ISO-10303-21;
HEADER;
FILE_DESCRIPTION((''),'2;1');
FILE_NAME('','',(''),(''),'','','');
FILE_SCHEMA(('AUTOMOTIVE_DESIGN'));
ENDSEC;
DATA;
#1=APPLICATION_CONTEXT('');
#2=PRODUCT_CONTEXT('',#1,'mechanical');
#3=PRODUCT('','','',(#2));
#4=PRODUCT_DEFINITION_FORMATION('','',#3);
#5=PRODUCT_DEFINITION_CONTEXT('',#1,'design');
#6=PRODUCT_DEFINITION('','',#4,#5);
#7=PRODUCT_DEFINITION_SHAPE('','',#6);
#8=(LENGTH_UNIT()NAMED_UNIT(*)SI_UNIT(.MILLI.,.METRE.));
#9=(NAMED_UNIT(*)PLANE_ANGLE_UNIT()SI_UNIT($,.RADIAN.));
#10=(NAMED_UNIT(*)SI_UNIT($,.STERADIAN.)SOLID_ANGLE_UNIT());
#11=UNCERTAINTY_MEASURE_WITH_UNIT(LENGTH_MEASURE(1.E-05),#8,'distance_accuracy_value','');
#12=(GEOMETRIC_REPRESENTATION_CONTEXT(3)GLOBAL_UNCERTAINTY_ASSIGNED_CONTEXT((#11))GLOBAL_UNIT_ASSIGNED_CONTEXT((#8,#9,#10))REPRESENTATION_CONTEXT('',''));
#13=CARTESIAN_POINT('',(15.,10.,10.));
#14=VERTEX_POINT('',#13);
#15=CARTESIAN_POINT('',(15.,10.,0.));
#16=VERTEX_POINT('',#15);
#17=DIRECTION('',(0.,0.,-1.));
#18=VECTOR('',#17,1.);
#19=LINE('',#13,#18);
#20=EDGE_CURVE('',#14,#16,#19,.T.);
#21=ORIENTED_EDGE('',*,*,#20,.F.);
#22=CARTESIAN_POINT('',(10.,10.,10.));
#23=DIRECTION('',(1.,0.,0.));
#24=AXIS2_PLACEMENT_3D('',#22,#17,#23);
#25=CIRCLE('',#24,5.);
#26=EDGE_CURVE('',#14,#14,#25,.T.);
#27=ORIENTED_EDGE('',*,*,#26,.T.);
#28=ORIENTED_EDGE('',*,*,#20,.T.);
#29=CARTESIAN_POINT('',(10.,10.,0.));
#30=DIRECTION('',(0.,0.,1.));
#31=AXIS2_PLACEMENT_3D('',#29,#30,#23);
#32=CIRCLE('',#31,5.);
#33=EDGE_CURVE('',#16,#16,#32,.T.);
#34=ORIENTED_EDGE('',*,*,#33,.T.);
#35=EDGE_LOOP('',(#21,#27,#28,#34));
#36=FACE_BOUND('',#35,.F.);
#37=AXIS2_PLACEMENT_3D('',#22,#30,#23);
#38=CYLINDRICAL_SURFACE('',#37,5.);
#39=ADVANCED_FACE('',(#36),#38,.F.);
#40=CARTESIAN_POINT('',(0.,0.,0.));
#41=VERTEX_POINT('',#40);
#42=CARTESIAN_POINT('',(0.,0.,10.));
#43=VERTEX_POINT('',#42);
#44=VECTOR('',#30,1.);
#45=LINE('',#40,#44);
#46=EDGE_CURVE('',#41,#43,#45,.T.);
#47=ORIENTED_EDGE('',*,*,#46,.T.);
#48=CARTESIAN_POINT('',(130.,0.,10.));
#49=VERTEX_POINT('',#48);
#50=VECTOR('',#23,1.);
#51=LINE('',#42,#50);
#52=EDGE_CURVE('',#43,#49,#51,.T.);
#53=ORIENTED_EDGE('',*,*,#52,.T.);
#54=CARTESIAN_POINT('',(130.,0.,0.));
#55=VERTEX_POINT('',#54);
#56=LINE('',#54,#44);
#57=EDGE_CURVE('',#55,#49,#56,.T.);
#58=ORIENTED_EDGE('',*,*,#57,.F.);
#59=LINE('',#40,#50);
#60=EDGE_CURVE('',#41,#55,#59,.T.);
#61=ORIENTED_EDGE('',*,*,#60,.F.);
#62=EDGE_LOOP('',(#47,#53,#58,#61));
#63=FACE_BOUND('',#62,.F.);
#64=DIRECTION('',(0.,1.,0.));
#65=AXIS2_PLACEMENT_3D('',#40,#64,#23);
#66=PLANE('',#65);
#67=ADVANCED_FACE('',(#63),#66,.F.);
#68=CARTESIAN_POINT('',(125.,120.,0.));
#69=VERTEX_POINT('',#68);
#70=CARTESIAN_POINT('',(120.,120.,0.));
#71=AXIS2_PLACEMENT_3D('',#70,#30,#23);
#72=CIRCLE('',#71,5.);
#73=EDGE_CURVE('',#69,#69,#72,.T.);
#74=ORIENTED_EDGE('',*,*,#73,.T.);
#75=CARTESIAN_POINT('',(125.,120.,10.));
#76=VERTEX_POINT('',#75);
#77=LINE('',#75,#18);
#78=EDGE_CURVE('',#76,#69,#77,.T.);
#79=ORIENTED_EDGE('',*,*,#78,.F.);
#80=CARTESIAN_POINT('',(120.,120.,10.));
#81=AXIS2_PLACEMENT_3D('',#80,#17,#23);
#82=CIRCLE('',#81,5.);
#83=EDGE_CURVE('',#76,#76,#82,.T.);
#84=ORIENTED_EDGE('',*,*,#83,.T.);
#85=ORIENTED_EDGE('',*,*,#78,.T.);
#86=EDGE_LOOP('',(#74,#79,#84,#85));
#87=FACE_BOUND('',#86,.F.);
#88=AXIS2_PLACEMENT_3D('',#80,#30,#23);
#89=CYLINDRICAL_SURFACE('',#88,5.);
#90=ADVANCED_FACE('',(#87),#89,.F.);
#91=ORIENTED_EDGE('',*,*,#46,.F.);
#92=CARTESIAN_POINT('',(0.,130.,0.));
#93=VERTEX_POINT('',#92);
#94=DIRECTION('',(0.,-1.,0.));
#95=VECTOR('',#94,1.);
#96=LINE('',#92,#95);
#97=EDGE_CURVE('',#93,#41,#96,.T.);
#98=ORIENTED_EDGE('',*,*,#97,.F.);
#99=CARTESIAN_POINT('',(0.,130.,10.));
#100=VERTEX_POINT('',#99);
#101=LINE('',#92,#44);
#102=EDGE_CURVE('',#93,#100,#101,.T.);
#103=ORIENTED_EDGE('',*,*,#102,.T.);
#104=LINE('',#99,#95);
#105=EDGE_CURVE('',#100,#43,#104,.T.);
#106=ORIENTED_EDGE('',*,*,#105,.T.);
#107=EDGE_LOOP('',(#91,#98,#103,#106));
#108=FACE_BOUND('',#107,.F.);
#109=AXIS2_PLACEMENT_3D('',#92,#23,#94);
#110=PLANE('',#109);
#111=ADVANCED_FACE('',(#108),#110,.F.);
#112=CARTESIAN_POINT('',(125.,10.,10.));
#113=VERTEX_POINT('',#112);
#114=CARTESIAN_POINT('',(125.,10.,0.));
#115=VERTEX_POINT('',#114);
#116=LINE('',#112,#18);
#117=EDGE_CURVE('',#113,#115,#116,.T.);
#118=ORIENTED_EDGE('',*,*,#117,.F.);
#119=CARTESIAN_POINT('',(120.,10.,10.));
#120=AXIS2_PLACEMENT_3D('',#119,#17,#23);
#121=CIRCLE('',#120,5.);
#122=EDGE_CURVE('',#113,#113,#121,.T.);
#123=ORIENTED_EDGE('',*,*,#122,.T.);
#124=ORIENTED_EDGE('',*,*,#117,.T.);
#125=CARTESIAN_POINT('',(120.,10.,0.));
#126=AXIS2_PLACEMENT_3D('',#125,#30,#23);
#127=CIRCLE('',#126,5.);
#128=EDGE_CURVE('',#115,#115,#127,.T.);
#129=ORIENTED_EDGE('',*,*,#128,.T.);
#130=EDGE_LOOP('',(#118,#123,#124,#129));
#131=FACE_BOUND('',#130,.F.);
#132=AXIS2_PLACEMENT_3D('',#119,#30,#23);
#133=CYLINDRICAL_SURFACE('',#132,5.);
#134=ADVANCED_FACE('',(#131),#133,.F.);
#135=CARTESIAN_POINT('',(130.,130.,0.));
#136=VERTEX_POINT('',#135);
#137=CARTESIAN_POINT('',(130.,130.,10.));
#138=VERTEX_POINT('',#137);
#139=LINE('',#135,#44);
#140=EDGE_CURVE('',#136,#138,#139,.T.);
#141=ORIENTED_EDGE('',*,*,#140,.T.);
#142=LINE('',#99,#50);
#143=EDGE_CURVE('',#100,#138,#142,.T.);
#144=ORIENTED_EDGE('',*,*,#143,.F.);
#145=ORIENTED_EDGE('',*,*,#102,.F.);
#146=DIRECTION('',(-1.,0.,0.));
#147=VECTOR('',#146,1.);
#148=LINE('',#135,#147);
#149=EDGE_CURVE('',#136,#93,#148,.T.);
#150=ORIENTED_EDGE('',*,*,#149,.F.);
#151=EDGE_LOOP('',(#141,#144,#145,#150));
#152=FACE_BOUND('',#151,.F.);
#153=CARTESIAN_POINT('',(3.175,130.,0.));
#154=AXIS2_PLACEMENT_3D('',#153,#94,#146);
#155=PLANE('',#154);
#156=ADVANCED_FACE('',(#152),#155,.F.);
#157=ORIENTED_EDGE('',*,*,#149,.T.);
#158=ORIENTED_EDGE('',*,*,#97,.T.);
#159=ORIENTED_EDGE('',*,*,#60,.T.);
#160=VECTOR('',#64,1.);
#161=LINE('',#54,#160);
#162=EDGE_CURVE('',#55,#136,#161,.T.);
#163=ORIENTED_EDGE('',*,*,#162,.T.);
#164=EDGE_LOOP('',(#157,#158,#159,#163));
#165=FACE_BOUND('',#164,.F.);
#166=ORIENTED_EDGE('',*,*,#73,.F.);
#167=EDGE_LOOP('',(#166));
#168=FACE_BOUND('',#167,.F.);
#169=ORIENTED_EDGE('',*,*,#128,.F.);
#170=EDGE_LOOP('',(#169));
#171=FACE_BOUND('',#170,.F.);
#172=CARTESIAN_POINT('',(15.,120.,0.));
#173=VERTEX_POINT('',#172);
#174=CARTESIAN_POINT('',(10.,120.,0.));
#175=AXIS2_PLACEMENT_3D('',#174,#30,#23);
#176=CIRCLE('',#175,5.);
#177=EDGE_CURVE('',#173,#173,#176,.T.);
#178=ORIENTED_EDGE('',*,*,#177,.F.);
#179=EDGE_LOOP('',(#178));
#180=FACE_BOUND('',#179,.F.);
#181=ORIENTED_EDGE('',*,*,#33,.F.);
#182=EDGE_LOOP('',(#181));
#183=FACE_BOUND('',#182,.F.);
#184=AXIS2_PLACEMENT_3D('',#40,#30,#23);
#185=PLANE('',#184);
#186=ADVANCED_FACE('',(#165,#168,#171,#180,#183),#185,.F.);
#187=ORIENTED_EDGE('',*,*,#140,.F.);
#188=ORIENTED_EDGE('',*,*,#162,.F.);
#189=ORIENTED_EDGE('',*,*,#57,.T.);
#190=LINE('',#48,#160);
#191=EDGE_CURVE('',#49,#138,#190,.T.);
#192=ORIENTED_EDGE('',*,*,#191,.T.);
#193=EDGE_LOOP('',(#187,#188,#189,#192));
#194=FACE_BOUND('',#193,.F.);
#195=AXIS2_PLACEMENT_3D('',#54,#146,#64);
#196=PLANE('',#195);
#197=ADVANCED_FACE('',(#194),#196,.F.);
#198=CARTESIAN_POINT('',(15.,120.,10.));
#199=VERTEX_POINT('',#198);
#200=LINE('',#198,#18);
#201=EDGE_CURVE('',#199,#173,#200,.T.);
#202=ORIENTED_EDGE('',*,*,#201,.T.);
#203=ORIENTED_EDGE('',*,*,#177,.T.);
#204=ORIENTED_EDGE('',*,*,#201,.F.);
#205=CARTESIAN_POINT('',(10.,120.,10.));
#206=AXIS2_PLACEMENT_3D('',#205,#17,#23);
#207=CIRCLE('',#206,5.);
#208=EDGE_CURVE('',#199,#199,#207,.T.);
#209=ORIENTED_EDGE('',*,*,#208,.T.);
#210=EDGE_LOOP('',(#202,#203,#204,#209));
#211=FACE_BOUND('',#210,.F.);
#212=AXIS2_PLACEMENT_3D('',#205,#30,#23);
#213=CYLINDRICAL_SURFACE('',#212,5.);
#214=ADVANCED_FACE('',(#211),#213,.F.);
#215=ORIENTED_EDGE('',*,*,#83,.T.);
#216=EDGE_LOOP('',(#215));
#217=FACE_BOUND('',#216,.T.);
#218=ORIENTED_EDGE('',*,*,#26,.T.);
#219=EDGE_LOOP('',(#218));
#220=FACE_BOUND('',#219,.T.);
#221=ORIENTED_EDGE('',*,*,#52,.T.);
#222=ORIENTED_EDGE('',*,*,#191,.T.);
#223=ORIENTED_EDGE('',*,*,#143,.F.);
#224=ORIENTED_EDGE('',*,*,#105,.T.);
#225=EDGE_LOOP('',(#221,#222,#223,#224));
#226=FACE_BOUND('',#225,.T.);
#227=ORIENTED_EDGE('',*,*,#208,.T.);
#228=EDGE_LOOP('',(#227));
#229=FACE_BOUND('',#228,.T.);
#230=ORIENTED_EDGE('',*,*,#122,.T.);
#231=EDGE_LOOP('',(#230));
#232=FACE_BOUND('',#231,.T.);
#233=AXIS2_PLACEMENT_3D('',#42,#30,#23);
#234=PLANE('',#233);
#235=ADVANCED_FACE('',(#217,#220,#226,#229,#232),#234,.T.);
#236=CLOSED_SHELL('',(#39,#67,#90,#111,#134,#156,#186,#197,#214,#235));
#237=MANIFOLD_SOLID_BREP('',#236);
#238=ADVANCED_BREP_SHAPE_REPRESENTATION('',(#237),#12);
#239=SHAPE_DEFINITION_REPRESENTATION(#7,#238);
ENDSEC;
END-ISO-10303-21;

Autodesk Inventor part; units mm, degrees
ref_plane "YZ Plane" through (0, 0, 0) normal (1, 0, 0) x (0, 1, 0)
ref_plane "XZ Plane" through (0, 0, 0) normal (0, 1, 0) x (-1, 0, 0)
ref_plane "XY Plane" through (0, 0, 0) normal (0, 0, 1) x (1, 0, 0)
sketch "Sketch1" plane through (0, 0, 0) normal (0, 0, 1) x (1, 0, 0)
  line L0 (0, 0) -> (130, 0)
  line L1 (130, 0) -> (130, 130)
  line L2 (130, 130) -> (0, 130)
  line L3 (0, 130) -> (0, 0)
  line L4 (0, 130) -> (19.05, 130)
  line L5 (0, 130) -> (3.175, 130)
  dimension "d0" = 130
  dimension "d1" = 130
extrude "Extrusion1" add sketch "Sketch1" along normal blind 10
sketch "Sketch2" plane through (0, 0, 10) normal (0, 0, 1) x (1, 0, 0)
  line L0 (130, 130) -> (0, 130) projected
  line L1 (0, 130) -> (10, 130)
  line L2 (10, 130) -> (10, 10)
  line L3 (10, 10) -> (120, 10)
  line L4 (120, 10) -> (120, 120)
  line L5 (120, 120) -> (10, 120)
  circle A0 centre (10, 120) radius 5
  circle A1 centre (120, 120) radius 5
  circle A2 centre (120, 10) radius 5
  circle A3 centre (10, 10) radius 5
  point P0 (0, 0)
  dimension "d4" = 10
  dimension "d5" = 120
  dimension "d6" = 110
  dimension "d7" = 110
  dimension "d8" = 110
  dimension "d9" = 10
  dimension "d10" = 10
  dimension "d11" = 10
  dimension "d12" = 10
extrude "Extrusion2" cut sketch "Sketch2" against normal through all contours A0 L5 L2 | L2 A0 | L5 A0 L2 | A1 L4 L5 | L5 L4 A1 | A3 L3 L2 | L2 L3 A3 | A2 L3 L4 | L4 L3 A2
sketch "Sketch3" plane through (0, 0, 10) normal (0, 0, 1) x (1, 0, 0)
  line L0 (0, 0) -> (65, 0)
  line L1 (0, 0) -> (130, 0) projected
  line L2 (65, 0) -> (65, 30)
  circle A0 centre (65, 30) radius 5.5
  line L3 (130, 130) -> (0, 130) projected
  line L4 (0, 130) -> (65, 130)
  line L5 (65, 130) -> (65, 95)
  circle A1 centre (65, 95) radius 25
  circle A2 centre (65, 95) radius 30
  circle A3 centre (49.2125, 109.5375) radius 8.0947
  circle A4 centre (50.8, 84.1375) radius 8.5489
  circle A5 centre (76.2, 79.375) radius 8.5489
  circle A6 centre (82.55, 101.4428) radius 8.1613
  circle A7 centre (69.85, 112.5) radius 7.6806
  circle A8 centre (84.7489, 96.8375) radius 7.4376
  dimension "d15" = 65
  dimension "d16" = 30
  dimension "d17" = 11
  dimension "d18" = 65
  dimension "d19" = 35
  dimension "d23" = 50
  dimension "d24" = 60
extrude "Extrusion3" [suppressed]
properties part number "M"
